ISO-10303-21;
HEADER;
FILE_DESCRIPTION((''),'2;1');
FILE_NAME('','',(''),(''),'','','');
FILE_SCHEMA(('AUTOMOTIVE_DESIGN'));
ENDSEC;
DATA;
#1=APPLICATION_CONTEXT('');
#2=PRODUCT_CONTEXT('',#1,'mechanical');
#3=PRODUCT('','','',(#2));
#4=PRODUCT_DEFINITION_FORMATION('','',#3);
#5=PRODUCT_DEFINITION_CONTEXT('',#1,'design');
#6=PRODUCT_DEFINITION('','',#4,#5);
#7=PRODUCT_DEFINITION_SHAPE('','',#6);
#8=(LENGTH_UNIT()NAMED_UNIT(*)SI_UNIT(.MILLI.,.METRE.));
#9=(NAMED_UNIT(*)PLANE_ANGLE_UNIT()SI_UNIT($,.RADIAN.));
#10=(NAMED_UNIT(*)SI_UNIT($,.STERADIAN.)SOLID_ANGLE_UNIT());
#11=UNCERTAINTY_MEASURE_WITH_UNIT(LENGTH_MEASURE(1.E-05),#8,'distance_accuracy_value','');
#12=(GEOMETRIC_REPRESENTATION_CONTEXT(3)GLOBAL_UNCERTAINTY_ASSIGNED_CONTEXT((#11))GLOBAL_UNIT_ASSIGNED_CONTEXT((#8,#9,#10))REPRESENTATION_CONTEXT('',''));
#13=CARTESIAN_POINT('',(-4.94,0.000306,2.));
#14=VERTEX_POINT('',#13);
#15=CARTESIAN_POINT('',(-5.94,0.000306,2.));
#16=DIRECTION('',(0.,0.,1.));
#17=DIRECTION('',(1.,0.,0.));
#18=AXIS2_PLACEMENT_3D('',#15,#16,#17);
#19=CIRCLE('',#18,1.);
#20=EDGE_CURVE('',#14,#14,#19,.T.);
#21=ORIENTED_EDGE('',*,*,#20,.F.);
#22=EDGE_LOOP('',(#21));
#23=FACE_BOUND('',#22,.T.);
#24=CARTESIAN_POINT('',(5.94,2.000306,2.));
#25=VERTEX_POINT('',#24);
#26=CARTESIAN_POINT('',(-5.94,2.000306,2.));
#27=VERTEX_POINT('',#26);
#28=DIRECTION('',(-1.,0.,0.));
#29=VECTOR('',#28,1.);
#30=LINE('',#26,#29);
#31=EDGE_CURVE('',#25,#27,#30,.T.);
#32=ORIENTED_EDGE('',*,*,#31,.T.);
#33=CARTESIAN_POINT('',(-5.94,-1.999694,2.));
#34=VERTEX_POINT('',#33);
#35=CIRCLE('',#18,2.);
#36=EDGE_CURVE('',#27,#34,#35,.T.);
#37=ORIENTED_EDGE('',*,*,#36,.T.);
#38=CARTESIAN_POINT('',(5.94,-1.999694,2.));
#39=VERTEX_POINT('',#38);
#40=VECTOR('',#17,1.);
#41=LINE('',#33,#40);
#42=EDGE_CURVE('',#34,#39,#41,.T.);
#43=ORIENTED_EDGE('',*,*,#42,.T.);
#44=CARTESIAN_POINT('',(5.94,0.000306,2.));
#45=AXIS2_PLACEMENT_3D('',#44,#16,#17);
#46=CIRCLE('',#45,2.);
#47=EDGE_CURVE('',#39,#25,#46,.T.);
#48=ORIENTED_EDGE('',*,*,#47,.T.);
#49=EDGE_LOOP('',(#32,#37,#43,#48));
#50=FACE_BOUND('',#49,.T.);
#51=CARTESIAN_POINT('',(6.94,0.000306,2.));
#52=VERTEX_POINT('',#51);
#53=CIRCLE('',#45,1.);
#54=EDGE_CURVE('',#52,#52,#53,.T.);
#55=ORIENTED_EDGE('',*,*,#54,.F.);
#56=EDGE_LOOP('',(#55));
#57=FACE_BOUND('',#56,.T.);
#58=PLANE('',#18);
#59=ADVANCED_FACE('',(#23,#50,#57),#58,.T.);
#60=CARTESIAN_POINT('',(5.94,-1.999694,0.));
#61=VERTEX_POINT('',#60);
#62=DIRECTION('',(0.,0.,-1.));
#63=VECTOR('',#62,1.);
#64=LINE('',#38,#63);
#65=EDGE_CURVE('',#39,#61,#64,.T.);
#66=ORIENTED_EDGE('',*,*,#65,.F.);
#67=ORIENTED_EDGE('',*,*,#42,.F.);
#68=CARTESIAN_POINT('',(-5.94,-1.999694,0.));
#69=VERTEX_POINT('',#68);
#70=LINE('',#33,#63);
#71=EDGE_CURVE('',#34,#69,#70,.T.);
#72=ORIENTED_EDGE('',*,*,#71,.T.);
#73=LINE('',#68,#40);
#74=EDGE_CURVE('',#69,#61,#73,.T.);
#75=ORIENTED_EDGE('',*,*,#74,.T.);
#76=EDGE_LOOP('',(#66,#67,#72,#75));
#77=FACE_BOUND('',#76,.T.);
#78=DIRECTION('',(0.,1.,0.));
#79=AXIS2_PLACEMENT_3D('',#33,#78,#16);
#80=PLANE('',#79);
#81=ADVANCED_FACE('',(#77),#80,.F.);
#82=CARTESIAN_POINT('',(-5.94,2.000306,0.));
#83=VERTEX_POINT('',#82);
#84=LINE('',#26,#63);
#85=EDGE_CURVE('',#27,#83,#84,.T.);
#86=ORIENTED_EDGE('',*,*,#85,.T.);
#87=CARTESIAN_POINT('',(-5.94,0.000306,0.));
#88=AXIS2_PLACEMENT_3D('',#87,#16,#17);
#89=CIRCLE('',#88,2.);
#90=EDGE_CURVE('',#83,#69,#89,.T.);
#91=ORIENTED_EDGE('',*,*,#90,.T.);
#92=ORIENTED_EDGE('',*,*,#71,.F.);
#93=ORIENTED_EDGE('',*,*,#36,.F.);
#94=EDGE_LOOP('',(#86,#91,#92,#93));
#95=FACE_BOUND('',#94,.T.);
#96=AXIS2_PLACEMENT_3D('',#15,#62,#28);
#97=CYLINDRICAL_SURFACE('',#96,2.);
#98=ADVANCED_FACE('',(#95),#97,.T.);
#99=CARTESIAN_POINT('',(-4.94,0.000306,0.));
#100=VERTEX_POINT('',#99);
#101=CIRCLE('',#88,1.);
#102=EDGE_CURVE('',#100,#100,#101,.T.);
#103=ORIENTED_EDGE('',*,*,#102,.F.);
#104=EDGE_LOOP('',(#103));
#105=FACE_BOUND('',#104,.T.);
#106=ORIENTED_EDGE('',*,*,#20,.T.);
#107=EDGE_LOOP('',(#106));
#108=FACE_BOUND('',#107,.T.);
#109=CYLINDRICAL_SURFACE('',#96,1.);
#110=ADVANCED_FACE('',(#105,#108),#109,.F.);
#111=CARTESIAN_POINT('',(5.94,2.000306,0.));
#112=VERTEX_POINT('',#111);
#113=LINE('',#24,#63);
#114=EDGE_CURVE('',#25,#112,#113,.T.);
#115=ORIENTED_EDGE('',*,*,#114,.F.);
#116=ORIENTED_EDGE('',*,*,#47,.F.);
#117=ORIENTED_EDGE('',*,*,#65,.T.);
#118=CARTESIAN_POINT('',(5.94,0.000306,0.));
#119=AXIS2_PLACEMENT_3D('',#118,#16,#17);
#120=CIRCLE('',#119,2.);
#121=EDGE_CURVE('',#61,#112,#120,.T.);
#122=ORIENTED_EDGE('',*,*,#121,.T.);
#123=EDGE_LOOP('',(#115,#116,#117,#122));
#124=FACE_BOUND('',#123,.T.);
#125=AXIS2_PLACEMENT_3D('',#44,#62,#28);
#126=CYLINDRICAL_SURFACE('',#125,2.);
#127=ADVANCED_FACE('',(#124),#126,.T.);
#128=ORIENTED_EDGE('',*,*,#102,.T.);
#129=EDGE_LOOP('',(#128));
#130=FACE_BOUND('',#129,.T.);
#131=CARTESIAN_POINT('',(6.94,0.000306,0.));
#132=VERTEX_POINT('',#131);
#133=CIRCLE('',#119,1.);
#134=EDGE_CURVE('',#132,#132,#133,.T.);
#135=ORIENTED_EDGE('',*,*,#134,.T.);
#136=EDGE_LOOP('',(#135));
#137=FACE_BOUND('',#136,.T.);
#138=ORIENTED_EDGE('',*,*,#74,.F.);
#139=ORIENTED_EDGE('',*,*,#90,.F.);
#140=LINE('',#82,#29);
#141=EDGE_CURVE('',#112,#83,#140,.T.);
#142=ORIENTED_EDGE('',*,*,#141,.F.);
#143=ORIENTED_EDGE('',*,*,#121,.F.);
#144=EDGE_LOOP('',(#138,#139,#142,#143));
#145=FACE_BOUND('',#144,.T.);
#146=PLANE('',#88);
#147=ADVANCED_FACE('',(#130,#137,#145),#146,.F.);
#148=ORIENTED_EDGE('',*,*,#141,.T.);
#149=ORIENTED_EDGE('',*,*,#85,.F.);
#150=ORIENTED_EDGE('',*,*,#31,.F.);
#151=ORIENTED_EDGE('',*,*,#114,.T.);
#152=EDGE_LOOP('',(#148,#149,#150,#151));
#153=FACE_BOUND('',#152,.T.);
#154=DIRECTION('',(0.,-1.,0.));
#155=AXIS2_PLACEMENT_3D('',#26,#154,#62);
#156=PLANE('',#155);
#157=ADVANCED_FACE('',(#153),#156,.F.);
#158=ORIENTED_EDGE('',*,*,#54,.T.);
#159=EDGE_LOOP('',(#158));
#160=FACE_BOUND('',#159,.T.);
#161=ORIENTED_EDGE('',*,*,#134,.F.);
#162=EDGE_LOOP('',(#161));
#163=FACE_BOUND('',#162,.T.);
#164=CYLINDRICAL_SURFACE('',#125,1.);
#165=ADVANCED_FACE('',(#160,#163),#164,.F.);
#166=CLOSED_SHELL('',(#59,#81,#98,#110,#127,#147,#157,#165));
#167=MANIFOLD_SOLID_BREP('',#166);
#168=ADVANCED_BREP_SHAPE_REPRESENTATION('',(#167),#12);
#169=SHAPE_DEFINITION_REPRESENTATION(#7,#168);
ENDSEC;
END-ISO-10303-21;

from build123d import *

# Parameters (mm, degrees)
SKETCH_1_R      = 1
EXTRUDE_1_DEPTH = 2


with BuildPart() as part:
    # 草圖1 → 填料-伸長1 (new body)
    with BuildSketch(Plane.XY):
        with BuildLine():
            Line((-5.939999992, 2.000306489), (5.940000008, 2.000306489))
            ThreePointArc((5.940000008, 2.000306489), (7.940000008, 0.000306489), (5.940000008, -1.999693511))
            Line((5.940000008, -1.999693511), (-5.939999992, -1.999693511))
            ThreePointArc((-5.939999992, -1.999693511), (-7.939999992, 0.000306489), (-5.939999992, 2.000306489))
        make_face()
        with Locations((-5.939999992, 0.000306489)):
            Circle(SKETCH_1_R, mode=Mode.SUBTRACT)
        with Locations((5.940000008, 0.000306489)):
            Circle(SKETCH_1_R, mode=Mode.SUBTRACT)
    extrude(amount=EXTRUDE_1_DEPTH)


solid = part.part
